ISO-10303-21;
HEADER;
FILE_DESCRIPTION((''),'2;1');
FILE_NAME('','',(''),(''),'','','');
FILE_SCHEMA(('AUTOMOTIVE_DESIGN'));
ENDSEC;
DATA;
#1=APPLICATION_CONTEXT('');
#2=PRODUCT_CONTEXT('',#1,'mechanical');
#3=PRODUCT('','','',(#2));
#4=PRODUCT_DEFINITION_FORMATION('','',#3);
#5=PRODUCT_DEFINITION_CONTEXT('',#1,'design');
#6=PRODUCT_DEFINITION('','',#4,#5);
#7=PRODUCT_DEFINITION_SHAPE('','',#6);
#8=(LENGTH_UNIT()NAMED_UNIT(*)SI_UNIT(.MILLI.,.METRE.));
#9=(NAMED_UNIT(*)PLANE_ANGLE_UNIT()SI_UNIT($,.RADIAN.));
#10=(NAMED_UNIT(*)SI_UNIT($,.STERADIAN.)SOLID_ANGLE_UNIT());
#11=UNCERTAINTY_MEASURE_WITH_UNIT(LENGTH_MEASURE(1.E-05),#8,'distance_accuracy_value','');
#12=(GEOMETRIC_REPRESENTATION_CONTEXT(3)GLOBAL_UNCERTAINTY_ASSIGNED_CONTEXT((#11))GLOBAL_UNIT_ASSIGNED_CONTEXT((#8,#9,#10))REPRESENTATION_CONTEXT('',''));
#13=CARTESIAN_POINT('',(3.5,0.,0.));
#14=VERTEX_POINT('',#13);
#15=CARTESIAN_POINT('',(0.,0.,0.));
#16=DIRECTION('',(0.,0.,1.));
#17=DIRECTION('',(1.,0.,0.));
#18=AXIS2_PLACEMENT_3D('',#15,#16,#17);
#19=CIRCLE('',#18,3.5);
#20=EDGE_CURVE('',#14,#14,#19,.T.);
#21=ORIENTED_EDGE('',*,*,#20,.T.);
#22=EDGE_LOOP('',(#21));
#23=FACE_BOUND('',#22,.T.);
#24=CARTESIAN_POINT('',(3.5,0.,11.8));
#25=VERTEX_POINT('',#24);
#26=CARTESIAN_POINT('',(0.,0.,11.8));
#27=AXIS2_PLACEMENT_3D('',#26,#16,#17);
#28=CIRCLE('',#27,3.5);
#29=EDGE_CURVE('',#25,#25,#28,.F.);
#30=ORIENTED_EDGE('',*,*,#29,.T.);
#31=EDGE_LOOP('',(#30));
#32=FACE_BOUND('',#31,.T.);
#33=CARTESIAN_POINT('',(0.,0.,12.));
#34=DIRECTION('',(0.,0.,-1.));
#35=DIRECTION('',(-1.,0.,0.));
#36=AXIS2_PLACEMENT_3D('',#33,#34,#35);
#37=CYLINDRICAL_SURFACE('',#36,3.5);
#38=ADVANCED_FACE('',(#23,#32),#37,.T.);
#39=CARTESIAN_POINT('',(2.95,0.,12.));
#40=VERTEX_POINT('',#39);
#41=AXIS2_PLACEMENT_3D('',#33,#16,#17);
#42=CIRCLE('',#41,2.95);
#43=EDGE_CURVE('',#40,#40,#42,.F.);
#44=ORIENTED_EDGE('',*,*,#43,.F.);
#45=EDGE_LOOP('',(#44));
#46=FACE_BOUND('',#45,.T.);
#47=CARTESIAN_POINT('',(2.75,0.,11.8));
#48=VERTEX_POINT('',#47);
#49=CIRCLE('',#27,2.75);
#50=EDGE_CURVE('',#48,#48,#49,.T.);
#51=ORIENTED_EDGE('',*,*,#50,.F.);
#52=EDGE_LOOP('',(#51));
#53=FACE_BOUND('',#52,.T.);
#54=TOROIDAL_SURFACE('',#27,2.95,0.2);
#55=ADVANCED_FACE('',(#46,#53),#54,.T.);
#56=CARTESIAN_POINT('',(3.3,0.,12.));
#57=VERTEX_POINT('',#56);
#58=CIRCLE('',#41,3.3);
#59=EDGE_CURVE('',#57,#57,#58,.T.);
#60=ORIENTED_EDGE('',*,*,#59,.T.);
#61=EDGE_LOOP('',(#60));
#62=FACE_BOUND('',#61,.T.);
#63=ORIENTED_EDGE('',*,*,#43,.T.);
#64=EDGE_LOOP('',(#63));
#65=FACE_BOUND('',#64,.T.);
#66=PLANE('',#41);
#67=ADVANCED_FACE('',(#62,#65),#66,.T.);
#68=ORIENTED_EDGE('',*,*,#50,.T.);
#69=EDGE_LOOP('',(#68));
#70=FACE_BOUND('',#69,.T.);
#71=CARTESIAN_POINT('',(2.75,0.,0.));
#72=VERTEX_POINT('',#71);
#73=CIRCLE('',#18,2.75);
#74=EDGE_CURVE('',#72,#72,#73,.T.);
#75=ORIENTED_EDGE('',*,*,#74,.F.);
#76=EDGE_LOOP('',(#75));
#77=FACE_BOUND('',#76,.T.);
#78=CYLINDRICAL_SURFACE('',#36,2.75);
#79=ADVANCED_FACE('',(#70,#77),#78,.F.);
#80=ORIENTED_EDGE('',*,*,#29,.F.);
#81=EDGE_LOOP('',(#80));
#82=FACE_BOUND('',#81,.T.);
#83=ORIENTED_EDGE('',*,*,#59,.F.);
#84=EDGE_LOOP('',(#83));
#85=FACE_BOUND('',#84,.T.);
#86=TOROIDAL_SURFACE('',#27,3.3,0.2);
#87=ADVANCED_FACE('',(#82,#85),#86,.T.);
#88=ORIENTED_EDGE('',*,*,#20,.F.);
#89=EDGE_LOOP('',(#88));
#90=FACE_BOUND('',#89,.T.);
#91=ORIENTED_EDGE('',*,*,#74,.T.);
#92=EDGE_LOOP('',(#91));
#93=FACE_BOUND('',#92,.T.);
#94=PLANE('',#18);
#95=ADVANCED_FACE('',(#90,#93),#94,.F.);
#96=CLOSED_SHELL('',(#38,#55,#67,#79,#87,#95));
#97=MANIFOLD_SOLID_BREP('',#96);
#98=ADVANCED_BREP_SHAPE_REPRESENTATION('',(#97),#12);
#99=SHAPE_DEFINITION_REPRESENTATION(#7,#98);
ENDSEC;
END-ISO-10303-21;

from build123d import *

# Parameters (mm, degrees)
SKETCH1_R           = 3.5
SKETCH1_R_2         = 2.75
BOSS_EXTRUDE1_DEPTH = 12
FILLET1_R           = 0.2


with BuildPart() as part:
    # Sketch1 → Boss-Extrude1 (new body)
    with BuildSketch(Plane.XY):
        Circle(SKETCH1_R)
        Circle(SKETCH1_R_2, mode=Mode.SUBTRACT)
    extrude(amount=BOSS_EXTRUDE1_DEPTH)

    # Fillet1
    fillet1_edges = [part.edges().sort_by_distance(p)[0] for p in [
        (-3.5, 0, 12),
        (-2.75, 0, 12),
    ]]
    fillet(fillet1_edges, radius=FILLET1_R)


solid = part.part
